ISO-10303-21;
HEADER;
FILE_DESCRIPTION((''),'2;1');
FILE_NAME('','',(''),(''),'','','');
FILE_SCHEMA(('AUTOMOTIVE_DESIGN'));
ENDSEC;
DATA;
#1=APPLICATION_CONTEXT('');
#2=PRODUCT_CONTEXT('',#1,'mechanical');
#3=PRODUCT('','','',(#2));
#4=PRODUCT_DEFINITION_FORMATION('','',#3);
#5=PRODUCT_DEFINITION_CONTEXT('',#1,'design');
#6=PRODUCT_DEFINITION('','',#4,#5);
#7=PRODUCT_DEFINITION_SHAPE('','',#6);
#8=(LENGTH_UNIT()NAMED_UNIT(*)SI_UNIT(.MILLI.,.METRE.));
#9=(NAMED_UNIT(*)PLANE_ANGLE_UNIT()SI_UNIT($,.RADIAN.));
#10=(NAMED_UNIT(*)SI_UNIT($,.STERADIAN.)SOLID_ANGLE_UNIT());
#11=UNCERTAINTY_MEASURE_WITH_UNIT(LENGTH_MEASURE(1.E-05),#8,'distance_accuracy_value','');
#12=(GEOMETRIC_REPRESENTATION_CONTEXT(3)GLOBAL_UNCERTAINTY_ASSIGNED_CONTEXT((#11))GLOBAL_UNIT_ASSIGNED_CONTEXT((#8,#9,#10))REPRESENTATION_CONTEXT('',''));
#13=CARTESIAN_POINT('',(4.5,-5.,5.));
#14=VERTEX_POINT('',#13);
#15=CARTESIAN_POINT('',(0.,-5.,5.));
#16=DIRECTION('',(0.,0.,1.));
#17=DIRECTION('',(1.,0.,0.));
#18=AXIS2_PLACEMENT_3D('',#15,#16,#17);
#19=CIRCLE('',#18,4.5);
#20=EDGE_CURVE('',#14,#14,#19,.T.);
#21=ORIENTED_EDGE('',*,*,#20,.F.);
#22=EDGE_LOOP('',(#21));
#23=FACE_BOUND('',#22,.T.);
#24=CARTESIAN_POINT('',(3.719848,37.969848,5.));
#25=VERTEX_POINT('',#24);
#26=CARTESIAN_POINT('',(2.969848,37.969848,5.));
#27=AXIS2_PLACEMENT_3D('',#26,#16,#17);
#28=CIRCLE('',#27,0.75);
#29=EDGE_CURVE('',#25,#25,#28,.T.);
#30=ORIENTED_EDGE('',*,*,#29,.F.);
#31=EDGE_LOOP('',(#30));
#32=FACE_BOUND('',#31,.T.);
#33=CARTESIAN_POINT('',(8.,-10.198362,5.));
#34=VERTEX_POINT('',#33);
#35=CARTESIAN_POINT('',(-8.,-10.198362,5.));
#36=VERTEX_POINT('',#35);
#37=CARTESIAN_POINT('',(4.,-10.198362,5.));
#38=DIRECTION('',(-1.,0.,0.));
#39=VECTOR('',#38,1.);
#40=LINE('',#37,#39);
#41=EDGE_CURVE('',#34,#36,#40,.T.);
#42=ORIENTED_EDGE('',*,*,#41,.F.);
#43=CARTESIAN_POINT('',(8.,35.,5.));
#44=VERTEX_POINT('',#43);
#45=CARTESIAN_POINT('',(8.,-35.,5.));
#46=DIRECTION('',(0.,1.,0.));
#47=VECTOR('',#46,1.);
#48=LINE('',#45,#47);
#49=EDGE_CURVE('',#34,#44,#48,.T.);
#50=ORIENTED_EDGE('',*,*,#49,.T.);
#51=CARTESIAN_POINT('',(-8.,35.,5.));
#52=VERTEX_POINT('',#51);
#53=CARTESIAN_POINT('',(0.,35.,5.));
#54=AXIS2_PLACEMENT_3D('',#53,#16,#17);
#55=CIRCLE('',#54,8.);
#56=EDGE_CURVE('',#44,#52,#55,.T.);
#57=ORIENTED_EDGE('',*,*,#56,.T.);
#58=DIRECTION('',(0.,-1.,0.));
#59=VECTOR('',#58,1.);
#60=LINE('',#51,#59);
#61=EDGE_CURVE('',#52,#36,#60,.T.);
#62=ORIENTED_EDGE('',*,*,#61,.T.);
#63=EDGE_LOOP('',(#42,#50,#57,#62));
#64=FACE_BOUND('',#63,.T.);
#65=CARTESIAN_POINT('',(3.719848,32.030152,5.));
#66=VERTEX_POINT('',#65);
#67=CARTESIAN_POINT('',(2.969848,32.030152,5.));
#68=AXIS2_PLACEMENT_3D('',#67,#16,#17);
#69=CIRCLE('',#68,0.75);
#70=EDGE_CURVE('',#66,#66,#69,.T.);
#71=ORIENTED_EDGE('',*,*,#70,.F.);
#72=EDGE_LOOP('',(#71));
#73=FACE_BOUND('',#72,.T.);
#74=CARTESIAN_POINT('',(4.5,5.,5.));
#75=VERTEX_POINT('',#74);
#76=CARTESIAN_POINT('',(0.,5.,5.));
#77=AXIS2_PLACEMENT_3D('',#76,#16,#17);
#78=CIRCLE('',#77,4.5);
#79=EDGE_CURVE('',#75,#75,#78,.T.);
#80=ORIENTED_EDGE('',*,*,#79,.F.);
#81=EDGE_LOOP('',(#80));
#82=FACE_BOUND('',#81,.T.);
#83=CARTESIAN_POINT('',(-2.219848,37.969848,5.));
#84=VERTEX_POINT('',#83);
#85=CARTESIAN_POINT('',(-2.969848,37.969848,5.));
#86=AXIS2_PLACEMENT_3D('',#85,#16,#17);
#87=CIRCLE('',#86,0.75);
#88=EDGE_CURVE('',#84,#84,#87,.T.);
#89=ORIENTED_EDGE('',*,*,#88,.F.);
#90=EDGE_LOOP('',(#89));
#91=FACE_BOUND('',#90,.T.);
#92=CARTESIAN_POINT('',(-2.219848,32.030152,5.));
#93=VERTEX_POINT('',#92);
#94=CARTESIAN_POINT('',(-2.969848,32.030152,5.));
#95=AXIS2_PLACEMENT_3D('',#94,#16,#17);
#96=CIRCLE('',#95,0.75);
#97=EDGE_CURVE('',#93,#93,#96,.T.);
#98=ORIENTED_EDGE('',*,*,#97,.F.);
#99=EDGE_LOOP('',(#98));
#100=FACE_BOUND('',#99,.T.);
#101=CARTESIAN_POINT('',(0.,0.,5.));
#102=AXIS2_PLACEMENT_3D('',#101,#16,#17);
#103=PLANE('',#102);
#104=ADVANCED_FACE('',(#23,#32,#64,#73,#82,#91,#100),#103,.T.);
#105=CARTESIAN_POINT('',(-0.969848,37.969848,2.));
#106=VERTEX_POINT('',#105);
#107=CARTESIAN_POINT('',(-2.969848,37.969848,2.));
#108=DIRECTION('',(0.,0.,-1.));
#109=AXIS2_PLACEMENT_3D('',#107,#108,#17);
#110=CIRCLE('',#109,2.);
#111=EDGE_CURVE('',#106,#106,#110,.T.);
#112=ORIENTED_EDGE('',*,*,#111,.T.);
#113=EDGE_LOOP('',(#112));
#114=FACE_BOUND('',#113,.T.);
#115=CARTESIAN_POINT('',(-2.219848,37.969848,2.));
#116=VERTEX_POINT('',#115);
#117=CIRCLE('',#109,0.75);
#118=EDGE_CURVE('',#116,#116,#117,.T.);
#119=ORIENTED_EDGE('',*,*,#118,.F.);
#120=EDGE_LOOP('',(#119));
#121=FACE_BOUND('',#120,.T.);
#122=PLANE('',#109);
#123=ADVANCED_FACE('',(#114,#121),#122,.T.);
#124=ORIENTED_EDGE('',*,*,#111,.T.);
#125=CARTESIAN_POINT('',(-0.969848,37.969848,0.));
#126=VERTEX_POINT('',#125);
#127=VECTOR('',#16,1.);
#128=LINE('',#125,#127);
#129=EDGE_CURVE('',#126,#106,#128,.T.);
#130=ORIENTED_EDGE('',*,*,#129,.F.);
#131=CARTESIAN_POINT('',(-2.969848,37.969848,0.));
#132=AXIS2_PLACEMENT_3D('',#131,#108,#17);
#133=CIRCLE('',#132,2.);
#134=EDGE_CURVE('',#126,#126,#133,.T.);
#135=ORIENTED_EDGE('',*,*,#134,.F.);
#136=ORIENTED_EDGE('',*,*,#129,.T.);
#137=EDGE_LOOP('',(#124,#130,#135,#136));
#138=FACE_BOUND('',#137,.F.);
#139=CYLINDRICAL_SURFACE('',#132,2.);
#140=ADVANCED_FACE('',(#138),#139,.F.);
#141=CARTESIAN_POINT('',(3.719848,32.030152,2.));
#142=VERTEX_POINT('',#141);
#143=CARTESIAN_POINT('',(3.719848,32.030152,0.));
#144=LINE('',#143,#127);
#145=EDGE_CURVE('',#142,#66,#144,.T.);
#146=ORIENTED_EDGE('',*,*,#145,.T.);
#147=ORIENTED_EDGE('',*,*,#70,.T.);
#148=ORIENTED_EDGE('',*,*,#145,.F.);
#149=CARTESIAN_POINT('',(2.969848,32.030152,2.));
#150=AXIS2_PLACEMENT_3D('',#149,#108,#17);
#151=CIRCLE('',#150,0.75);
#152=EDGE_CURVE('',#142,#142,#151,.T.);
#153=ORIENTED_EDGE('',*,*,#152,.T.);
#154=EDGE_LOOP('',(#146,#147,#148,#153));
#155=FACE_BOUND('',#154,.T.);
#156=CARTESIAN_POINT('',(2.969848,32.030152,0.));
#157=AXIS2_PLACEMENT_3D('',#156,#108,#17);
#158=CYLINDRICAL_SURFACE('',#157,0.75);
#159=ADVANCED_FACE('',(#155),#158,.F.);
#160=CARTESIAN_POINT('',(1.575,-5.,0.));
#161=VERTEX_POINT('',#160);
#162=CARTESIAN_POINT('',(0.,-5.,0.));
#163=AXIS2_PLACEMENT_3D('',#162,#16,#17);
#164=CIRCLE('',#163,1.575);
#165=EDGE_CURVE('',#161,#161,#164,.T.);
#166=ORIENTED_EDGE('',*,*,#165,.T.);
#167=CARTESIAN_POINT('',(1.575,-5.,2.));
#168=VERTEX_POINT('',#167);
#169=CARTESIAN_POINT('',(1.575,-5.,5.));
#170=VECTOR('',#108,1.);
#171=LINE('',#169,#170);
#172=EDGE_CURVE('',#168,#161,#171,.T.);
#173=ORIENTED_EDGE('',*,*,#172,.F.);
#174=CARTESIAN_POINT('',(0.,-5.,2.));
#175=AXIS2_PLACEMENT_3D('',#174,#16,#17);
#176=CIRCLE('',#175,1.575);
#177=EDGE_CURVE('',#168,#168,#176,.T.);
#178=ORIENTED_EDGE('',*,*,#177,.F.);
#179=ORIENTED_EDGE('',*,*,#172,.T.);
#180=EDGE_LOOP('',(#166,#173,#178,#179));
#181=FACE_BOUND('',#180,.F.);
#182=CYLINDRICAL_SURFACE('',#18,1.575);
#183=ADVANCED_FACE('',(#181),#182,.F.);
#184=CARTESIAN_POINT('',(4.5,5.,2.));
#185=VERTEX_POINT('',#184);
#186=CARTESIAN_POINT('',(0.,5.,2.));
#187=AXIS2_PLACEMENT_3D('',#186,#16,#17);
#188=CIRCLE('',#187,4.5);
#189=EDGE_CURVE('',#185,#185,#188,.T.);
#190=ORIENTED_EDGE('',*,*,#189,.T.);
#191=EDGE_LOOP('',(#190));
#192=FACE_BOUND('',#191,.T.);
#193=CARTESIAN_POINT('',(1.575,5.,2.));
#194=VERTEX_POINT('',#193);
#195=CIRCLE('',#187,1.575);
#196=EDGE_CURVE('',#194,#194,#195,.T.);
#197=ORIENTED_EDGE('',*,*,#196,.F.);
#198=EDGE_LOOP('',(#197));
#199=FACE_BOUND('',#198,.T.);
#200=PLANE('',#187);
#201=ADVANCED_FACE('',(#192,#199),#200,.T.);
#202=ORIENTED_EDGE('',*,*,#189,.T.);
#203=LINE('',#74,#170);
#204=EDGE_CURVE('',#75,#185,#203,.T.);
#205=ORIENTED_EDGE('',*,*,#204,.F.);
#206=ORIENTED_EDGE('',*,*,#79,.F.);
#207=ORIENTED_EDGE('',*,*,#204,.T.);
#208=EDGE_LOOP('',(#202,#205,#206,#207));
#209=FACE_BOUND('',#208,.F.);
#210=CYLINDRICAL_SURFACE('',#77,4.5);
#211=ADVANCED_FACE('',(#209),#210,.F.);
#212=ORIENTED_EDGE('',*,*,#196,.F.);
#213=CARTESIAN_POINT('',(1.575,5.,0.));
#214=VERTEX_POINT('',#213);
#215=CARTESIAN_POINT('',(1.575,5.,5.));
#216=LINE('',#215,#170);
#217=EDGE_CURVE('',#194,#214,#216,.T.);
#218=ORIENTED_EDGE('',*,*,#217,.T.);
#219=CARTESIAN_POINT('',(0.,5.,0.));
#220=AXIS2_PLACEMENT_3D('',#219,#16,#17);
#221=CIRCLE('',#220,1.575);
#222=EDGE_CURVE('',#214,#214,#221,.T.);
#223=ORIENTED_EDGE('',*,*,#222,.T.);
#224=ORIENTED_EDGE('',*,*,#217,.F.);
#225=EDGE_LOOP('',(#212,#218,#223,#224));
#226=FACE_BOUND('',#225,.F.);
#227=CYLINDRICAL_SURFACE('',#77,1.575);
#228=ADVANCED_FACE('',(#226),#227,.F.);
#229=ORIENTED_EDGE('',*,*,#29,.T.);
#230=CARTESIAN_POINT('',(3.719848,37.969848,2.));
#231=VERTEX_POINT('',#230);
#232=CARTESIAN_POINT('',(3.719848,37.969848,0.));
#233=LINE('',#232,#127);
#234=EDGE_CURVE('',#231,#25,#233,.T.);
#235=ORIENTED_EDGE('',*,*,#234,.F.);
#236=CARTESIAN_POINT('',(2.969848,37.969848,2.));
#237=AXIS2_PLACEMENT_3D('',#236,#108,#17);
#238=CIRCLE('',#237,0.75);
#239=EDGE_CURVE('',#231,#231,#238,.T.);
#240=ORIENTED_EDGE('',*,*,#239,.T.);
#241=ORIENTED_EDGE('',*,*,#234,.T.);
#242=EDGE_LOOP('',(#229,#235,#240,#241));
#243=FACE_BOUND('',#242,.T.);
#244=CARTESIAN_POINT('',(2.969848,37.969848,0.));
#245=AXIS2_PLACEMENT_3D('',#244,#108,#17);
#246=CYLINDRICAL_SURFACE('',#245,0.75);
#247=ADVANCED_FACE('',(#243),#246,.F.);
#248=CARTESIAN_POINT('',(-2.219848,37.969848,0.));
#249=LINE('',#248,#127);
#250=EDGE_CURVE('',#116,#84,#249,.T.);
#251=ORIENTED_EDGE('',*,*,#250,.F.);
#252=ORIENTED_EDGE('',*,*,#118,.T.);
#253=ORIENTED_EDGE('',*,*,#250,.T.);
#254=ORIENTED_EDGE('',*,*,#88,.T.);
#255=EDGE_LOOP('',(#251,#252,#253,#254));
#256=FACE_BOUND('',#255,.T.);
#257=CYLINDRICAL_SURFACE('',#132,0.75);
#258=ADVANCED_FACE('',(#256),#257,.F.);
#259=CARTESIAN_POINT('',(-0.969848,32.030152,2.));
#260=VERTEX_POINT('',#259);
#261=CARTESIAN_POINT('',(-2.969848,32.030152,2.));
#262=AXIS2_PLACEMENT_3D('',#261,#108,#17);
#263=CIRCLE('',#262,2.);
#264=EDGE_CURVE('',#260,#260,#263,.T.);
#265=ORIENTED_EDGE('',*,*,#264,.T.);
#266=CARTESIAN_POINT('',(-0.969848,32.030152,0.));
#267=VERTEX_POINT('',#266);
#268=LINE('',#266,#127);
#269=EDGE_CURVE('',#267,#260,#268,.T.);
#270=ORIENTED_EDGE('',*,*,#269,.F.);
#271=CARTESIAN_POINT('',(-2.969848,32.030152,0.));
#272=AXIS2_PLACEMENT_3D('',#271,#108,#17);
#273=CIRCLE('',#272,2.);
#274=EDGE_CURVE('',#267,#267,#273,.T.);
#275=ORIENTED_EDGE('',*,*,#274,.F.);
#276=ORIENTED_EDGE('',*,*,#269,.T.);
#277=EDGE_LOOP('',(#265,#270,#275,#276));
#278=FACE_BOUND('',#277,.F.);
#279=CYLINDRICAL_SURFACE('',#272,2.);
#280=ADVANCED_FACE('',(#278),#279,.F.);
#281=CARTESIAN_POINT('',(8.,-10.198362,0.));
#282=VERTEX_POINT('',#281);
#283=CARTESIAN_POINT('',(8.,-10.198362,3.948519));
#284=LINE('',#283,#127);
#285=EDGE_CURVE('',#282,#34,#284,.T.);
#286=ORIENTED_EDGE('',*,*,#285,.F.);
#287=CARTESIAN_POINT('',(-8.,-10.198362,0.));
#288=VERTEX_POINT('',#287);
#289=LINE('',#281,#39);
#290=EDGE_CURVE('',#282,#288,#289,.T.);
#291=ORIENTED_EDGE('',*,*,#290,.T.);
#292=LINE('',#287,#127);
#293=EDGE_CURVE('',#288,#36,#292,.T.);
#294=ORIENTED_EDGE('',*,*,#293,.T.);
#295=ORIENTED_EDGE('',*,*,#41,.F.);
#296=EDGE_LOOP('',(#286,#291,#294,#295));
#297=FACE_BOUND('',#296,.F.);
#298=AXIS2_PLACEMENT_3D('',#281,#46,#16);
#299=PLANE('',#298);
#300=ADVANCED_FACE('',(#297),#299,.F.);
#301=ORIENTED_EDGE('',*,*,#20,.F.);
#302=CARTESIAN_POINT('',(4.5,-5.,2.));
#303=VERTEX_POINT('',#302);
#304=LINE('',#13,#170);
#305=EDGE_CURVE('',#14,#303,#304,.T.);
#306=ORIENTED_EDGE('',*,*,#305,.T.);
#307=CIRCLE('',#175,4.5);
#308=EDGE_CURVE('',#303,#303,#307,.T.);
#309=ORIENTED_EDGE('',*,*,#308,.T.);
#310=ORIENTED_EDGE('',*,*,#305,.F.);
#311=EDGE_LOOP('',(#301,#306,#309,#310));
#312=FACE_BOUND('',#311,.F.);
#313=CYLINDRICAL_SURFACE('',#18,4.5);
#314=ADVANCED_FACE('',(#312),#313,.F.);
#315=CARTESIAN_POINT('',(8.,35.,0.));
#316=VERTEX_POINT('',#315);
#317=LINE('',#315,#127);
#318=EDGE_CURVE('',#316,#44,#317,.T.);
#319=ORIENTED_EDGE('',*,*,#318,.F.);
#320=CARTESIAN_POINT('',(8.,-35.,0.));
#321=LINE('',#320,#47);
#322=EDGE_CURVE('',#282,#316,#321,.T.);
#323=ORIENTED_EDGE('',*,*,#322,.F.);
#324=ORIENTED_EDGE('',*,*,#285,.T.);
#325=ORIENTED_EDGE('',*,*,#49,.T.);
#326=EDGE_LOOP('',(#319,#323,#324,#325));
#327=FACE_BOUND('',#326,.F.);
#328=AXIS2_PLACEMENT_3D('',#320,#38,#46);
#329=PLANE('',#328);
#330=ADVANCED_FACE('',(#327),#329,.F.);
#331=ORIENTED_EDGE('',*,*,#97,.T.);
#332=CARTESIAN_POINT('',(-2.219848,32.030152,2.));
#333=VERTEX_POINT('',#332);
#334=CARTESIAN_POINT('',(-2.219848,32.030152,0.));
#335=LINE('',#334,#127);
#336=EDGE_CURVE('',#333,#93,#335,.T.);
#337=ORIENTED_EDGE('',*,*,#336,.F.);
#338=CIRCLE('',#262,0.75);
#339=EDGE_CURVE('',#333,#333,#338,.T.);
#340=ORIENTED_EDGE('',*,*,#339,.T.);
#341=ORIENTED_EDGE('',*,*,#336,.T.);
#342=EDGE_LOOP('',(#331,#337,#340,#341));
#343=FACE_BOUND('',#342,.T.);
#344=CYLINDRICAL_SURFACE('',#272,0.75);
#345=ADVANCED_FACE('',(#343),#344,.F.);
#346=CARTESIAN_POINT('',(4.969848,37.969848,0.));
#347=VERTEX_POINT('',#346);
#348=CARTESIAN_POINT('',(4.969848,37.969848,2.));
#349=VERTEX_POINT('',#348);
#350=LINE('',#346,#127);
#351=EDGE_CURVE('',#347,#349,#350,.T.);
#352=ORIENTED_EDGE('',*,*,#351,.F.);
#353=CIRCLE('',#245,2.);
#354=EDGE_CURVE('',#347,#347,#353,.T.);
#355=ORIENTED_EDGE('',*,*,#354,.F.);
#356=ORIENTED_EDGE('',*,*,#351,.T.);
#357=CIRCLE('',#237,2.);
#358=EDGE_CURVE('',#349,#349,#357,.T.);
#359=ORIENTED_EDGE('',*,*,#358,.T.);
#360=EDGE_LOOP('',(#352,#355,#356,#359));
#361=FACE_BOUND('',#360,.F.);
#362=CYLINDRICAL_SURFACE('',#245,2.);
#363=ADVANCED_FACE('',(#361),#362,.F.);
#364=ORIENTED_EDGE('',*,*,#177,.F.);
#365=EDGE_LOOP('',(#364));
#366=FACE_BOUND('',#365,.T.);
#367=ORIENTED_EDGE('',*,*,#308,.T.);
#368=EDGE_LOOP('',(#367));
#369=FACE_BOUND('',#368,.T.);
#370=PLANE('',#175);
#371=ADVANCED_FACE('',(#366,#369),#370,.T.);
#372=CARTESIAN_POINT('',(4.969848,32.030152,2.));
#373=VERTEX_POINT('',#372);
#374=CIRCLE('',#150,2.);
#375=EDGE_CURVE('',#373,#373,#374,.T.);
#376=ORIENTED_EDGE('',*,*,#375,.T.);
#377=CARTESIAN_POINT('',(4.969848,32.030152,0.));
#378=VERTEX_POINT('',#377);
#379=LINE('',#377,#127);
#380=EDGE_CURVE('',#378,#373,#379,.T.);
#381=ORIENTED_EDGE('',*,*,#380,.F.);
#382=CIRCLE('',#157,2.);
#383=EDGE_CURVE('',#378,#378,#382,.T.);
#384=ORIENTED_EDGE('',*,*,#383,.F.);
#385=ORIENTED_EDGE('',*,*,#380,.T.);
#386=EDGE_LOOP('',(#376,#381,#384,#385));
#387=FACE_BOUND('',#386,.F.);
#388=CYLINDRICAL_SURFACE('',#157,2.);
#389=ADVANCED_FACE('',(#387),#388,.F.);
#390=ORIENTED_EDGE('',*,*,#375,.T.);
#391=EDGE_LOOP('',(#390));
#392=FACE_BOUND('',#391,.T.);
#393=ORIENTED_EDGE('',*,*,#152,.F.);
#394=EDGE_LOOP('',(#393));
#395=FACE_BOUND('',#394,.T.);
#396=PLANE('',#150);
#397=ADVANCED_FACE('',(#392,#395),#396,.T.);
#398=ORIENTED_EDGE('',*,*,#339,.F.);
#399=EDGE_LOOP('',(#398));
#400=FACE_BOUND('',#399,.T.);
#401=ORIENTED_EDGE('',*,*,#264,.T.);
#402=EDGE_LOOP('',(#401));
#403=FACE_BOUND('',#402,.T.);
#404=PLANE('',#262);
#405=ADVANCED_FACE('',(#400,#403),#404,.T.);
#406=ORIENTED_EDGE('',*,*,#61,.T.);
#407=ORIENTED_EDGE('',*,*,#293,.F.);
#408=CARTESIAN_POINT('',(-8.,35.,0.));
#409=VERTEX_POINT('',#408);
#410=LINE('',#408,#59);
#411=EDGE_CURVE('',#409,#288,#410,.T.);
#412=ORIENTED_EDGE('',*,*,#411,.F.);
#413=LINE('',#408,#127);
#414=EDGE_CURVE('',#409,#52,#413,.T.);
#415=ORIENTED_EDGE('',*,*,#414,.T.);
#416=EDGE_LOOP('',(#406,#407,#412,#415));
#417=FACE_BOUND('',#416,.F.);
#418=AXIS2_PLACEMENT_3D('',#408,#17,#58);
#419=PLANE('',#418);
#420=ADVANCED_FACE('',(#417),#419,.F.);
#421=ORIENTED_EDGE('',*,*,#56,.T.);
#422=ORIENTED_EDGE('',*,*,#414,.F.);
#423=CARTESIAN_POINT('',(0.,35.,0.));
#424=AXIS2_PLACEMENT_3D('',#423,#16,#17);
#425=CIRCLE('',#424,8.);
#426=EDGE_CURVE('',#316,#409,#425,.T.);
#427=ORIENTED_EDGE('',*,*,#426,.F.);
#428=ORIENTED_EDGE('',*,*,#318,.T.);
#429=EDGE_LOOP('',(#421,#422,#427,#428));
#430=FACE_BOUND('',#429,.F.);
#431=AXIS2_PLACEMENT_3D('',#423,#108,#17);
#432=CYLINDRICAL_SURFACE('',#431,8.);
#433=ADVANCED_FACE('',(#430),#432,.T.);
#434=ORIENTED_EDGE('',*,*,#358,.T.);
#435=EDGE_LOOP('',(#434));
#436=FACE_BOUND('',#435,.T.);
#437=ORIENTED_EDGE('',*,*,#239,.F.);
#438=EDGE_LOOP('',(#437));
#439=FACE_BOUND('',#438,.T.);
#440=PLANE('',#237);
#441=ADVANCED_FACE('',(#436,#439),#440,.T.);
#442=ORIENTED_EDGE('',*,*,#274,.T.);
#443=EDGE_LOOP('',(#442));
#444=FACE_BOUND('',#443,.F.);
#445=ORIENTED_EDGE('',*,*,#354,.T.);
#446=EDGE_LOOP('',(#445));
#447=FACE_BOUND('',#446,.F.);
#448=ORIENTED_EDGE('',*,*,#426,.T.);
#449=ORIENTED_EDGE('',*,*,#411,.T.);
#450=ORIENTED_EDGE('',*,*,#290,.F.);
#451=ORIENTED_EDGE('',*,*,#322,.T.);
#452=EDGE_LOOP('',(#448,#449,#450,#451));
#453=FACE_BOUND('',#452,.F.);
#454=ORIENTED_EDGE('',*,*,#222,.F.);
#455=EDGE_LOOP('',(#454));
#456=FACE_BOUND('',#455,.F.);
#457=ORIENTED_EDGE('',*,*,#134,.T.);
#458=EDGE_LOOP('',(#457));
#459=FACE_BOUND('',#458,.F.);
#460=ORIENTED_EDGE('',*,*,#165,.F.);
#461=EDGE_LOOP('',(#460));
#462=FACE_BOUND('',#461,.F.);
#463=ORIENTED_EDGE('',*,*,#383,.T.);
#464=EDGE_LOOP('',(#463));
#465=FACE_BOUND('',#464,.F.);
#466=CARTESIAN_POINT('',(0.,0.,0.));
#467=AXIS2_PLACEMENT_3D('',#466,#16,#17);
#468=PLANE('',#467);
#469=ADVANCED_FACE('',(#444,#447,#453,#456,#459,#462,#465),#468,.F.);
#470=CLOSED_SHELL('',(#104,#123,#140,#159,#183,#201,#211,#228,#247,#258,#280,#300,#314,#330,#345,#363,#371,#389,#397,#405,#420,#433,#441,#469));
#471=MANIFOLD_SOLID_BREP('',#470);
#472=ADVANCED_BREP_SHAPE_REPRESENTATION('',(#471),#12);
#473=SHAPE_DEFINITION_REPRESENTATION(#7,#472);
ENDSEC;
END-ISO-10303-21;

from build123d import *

# Parameters (mm, degrees)
F0_R     = 0.75
F1_DEPTH = 5
F2_R     = 1.575
F3_DEPTH = 5.001
F4_R     = 4.5
F5_DEPTH = 3
F6_R     = 2
F7_DEPTH = 2
F8_W     = 43.103866
F8_H     = 7.897038
F9_DEPTH = 16.001


with BuildPart() as f1:
    # F0 (on Top) → F1 (new body)
    with BuildSketch(Plane.XY):
        with BuildLine():
            Line((-8, 35), (-8, 0))
            Line((-8, 0), (-8, -35))
            ThreePointArc((-8, -35), (0, -43), (8, -35))
            Line((8, -35), (8, 0))
            Line((8, 0), (8, 35))
            ThreePointArc((8, 35), (0, 43), (-8, 35))
        make_face()
        with Locations((-2.969848, -37.969848)):
            Circle(F0_R, mode=Mode.SUBTRACT)
        with Locations((-2.969848, -32.030152)):
            Circle(F0_R, mode=Mode.SUBTRACT)
        with Locations((2.969848, -37.969848)):
            Circle(F0_R, mode=Mode.SUBTRACT)
        with Locations((2.969848, -32.030152)):
            Circle(F0_R, mode=Mode.SUBTRACT)
        with Locations((-2.969848, 32.030152)):
            Circle(F0_R, mode=Mode.SUBTRACT)
        with Locations((-2.969848, 37.969848)):
            Circle(F0_R, mode=Mode.SUBTRACT)
        with Locations((2.969848, 32.030152)):
            Circle(F0_R, mode=Mode.SUBTRACT)
        with Locations((2.969848, 37.969848)):
            Circle(F0_R, mode=Mode.SUBTRACT)
    extrude(amount=F1_DEPTH)

    # F2 (on face) → F3 (cut, through all)
    with BuildSketch(Plane.XY.offset(5)):
        with Locations((0, 5)):
            Circle(F2_R)
        with Locations((0, -5)):
            Circle(F2_R)
    extrude(amount=-F3_DEPTH, mode=Mode.SUBTRACT)

    # F4 (on face) → F5 (cut)
    with BuildSketch(Plane.XY.offset(5)):
        with Locations((0, 5)):
            Circle(F4_R)
        with Locations((0, -5)):
            Circle(F4_R)
    extrude(amount=-F5_DEPTH, mode=Mode.SUBTRACT)

    # F6 (on face) → F7 (cut)
    with BuildSketch(Plane(origin=(0, 0, 0), x_dir=(1, 0, 0), z_dir=(0, 0, -1))):
        with Locations((-2.969848, 37.969848)):
            Circle(F6_R)
        with Locations((2.969848, 37.969848)):
            Circle(F6_R)
        with Locations((2.969848, 32.030152)):
            Circle(F6_R)
        with Locations((-2.969848, 32.030152)):
            Circle(F6_R)
        with Locations((-2.969848, -32.030152)):
            Circle(F6_R)
        with Locations((-2.969848, -37.969848)):
            Circle(F6_R)
        with Locations((2.969848, -37.969848)):
            Circle(F6_R)
        with Locations((2.969848, -32.030152)):
            Circle(F6_R)
    extrude(amount=-F7_DEPTH, mode=Mode.SUBTRACT)

    # F8 (on face) → F9 (cut, through all)
    with BuildSketch(Plane.YZ.offset(8)):
        with Locations((-31.750295, 3.948519)):
            Rectangle(F8_W, F8_H)
    extrude(amount=-F9_DEPTH, mode=Mode.SUBTRACT)


solid = f1.part
